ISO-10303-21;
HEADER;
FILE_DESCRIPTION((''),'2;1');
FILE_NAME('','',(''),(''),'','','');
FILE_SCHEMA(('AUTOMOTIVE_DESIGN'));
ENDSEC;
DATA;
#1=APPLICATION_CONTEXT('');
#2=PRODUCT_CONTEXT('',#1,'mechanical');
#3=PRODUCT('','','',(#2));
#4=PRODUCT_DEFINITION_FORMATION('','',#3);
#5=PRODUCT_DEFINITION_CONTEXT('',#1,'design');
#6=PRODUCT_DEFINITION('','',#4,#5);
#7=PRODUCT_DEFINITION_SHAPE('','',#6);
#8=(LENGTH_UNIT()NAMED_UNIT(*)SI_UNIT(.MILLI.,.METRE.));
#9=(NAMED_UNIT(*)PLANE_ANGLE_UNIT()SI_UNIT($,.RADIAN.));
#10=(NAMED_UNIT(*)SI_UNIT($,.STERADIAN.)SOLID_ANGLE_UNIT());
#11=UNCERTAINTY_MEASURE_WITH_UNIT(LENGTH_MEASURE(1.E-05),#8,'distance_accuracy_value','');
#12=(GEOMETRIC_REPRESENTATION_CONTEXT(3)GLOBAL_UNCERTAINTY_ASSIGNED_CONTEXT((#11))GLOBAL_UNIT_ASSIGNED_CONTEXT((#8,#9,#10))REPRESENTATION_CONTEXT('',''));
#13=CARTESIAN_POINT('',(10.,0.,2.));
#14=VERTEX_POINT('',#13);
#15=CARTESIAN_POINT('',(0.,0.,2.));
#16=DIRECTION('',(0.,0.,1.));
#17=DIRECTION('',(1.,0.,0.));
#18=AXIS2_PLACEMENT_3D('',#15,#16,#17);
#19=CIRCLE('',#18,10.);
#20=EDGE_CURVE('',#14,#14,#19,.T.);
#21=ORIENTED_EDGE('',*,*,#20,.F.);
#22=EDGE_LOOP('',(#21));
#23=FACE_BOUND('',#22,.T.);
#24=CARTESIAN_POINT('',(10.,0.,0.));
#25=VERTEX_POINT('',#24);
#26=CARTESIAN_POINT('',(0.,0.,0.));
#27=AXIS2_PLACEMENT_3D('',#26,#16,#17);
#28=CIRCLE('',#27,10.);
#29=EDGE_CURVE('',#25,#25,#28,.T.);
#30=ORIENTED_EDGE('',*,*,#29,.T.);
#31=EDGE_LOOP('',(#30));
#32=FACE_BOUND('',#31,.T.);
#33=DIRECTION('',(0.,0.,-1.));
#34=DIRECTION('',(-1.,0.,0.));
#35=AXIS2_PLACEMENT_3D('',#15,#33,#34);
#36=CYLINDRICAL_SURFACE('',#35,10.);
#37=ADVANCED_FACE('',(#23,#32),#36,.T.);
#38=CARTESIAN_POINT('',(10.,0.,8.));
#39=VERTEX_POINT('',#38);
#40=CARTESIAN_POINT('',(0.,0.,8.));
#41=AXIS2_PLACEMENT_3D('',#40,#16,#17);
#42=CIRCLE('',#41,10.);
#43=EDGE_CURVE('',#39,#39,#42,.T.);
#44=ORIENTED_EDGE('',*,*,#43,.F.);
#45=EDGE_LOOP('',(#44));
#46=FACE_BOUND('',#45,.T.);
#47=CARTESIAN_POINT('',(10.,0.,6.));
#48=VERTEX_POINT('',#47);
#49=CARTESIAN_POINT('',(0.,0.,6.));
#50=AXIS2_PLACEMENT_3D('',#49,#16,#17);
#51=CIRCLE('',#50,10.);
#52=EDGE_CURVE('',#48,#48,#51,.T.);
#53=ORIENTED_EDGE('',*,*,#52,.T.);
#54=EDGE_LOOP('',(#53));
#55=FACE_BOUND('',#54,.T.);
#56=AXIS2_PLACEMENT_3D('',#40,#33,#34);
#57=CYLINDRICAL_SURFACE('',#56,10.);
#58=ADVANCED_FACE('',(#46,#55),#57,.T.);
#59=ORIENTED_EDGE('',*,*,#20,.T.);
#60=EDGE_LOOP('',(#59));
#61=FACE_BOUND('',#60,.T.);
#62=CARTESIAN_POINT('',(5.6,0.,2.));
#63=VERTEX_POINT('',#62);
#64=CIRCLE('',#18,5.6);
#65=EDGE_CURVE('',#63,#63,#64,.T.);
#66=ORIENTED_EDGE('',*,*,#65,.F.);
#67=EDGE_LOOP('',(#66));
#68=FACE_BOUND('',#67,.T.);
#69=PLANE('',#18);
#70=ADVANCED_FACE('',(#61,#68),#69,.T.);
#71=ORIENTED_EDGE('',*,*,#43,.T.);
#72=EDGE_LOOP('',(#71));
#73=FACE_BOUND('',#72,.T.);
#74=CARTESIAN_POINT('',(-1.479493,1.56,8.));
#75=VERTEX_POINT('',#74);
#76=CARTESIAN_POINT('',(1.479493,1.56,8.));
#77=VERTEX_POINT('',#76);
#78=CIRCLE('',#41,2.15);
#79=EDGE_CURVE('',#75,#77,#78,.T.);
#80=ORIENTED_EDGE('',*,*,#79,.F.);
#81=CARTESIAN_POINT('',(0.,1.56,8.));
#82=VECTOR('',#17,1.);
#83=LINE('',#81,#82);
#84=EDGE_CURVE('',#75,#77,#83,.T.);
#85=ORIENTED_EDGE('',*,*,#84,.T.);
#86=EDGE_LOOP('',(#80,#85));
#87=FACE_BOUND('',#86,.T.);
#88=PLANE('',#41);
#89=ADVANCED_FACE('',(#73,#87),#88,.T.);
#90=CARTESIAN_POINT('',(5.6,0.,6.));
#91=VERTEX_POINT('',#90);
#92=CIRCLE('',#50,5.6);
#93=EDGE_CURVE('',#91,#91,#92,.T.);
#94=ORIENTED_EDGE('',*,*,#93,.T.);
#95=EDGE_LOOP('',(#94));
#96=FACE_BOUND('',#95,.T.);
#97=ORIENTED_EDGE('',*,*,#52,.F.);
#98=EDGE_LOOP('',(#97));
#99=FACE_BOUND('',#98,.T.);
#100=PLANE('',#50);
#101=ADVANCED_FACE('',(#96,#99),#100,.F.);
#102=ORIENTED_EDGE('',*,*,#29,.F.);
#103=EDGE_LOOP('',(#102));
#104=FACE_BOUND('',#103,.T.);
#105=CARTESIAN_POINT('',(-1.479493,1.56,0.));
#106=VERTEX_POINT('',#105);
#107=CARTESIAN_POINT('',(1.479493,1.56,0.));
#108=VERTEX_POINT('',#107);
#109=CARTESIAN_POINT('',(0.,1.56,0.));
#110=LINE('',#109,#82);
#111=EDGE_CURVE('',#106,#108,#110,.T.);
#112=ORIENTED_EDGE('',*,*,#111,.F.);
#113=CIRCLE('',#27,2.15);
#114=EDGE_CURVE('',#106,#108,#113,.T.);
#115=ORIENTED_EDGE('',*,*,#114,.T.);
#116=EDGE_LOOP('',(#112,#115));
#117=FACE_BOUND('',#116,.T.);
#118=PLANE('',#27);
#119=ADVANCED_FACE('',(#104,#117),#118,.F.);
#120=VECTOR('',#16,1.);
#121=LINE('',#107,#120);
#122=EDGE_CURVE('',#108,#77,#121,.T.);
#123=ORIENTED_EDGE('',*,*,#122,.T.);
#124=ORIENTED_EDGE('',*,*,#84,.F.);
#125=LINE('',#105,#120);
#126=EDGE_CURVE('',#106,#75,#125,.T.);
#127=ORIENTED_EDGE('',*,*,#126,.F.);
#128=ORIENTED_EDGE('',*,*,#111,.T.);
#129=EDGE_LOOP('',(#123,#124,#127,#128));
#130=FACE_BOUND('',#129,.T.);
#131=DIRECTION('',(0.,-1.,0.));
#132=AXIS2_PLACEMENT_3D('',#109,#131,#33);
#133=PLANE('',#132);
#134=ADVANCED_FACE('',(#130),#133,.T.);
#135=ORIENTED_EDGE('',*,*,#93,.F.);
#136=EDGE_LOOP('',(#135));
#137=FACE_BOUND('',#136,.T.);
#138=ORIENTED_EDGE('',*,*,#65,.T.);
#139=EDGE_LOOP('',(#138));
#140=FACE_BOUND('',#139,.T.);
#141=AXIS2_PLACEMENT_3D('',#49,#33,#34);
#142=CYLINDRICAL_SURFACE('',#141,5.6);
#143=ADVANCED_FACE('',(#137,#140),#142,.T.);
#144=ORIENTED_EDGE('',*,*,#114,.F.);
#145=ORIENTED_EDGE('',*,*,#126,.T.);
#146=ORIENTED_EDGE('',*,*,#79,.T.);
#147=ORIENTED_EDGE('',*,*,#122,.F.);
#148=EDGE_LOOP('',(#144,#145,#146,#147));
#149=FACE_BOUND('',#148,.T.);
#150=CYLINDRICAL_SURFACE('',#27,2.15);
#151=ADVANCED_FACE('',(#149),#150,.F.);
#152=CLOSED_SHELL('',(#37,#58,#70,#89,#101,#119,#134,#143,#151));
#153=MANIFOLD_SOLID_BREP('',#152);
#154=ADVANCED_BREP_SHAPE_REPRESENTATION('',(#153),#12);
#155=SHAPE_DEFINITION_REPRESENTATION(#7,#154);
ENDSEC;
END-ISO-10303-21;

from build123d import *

# Parameters (mm, degrees)
SKETCH1_R           = 10
BOSS_EXTRUDE1_DEPTH = 2
SKETCH2_R           = 5.6
BOSS_EXTRUDE2_DEPTH = 4
SKETCH3_R           = 10
BOSS_EXTRUDE3_DEPTH = 2
CUT_EXTRUDE1_DEPTH  = 17.248076809


with BuildPart() as part:
    # Sketch1 → Boss-Extrude1 (new body)
    with BuildSketch(Plane.XY):
        Circle(SKETCH1_R)
    extrude(amount=BOSS_EXTRUDE1_DEPTH)

    # Sketch2 → Boss-Extrude2 (add)
    with BuildSketch(Plane.XY.offset(2)):
        Circle(SKETCH2_R)
    extrude(amount=BOSS_EXTRUDE2_DEPTH)

    # Sketch3 → Boss-Extrude3 (add)
    with BuildSketch(Plane.XY.offset(6)):
        Circle(SKETCH3_R)
    extrude(amount=BOSS_EXTRUDE3_DEPTH)

    # Sketch6 → Cut-Extrude1 (cut, through all)
    with BuildSketch(Plane.XY.offset(8)):
        with BuildLine():
            Line((1.479493156, 1.56), (-1.479493156, 1.56))
            ThreePointArc((-1.479493156, 1.56), (-0.848996382, -1.975273435), (2.15, 0))
            ThreePointArc((2.15, 0), (1.975273435, 0.848996382), (1.479493156, 1.56))
        make_face()
    extrude(amount=-CUT_EXTRUDE1_DEPTH, mode=Mode.SUBTRACT)


solid = part.part
